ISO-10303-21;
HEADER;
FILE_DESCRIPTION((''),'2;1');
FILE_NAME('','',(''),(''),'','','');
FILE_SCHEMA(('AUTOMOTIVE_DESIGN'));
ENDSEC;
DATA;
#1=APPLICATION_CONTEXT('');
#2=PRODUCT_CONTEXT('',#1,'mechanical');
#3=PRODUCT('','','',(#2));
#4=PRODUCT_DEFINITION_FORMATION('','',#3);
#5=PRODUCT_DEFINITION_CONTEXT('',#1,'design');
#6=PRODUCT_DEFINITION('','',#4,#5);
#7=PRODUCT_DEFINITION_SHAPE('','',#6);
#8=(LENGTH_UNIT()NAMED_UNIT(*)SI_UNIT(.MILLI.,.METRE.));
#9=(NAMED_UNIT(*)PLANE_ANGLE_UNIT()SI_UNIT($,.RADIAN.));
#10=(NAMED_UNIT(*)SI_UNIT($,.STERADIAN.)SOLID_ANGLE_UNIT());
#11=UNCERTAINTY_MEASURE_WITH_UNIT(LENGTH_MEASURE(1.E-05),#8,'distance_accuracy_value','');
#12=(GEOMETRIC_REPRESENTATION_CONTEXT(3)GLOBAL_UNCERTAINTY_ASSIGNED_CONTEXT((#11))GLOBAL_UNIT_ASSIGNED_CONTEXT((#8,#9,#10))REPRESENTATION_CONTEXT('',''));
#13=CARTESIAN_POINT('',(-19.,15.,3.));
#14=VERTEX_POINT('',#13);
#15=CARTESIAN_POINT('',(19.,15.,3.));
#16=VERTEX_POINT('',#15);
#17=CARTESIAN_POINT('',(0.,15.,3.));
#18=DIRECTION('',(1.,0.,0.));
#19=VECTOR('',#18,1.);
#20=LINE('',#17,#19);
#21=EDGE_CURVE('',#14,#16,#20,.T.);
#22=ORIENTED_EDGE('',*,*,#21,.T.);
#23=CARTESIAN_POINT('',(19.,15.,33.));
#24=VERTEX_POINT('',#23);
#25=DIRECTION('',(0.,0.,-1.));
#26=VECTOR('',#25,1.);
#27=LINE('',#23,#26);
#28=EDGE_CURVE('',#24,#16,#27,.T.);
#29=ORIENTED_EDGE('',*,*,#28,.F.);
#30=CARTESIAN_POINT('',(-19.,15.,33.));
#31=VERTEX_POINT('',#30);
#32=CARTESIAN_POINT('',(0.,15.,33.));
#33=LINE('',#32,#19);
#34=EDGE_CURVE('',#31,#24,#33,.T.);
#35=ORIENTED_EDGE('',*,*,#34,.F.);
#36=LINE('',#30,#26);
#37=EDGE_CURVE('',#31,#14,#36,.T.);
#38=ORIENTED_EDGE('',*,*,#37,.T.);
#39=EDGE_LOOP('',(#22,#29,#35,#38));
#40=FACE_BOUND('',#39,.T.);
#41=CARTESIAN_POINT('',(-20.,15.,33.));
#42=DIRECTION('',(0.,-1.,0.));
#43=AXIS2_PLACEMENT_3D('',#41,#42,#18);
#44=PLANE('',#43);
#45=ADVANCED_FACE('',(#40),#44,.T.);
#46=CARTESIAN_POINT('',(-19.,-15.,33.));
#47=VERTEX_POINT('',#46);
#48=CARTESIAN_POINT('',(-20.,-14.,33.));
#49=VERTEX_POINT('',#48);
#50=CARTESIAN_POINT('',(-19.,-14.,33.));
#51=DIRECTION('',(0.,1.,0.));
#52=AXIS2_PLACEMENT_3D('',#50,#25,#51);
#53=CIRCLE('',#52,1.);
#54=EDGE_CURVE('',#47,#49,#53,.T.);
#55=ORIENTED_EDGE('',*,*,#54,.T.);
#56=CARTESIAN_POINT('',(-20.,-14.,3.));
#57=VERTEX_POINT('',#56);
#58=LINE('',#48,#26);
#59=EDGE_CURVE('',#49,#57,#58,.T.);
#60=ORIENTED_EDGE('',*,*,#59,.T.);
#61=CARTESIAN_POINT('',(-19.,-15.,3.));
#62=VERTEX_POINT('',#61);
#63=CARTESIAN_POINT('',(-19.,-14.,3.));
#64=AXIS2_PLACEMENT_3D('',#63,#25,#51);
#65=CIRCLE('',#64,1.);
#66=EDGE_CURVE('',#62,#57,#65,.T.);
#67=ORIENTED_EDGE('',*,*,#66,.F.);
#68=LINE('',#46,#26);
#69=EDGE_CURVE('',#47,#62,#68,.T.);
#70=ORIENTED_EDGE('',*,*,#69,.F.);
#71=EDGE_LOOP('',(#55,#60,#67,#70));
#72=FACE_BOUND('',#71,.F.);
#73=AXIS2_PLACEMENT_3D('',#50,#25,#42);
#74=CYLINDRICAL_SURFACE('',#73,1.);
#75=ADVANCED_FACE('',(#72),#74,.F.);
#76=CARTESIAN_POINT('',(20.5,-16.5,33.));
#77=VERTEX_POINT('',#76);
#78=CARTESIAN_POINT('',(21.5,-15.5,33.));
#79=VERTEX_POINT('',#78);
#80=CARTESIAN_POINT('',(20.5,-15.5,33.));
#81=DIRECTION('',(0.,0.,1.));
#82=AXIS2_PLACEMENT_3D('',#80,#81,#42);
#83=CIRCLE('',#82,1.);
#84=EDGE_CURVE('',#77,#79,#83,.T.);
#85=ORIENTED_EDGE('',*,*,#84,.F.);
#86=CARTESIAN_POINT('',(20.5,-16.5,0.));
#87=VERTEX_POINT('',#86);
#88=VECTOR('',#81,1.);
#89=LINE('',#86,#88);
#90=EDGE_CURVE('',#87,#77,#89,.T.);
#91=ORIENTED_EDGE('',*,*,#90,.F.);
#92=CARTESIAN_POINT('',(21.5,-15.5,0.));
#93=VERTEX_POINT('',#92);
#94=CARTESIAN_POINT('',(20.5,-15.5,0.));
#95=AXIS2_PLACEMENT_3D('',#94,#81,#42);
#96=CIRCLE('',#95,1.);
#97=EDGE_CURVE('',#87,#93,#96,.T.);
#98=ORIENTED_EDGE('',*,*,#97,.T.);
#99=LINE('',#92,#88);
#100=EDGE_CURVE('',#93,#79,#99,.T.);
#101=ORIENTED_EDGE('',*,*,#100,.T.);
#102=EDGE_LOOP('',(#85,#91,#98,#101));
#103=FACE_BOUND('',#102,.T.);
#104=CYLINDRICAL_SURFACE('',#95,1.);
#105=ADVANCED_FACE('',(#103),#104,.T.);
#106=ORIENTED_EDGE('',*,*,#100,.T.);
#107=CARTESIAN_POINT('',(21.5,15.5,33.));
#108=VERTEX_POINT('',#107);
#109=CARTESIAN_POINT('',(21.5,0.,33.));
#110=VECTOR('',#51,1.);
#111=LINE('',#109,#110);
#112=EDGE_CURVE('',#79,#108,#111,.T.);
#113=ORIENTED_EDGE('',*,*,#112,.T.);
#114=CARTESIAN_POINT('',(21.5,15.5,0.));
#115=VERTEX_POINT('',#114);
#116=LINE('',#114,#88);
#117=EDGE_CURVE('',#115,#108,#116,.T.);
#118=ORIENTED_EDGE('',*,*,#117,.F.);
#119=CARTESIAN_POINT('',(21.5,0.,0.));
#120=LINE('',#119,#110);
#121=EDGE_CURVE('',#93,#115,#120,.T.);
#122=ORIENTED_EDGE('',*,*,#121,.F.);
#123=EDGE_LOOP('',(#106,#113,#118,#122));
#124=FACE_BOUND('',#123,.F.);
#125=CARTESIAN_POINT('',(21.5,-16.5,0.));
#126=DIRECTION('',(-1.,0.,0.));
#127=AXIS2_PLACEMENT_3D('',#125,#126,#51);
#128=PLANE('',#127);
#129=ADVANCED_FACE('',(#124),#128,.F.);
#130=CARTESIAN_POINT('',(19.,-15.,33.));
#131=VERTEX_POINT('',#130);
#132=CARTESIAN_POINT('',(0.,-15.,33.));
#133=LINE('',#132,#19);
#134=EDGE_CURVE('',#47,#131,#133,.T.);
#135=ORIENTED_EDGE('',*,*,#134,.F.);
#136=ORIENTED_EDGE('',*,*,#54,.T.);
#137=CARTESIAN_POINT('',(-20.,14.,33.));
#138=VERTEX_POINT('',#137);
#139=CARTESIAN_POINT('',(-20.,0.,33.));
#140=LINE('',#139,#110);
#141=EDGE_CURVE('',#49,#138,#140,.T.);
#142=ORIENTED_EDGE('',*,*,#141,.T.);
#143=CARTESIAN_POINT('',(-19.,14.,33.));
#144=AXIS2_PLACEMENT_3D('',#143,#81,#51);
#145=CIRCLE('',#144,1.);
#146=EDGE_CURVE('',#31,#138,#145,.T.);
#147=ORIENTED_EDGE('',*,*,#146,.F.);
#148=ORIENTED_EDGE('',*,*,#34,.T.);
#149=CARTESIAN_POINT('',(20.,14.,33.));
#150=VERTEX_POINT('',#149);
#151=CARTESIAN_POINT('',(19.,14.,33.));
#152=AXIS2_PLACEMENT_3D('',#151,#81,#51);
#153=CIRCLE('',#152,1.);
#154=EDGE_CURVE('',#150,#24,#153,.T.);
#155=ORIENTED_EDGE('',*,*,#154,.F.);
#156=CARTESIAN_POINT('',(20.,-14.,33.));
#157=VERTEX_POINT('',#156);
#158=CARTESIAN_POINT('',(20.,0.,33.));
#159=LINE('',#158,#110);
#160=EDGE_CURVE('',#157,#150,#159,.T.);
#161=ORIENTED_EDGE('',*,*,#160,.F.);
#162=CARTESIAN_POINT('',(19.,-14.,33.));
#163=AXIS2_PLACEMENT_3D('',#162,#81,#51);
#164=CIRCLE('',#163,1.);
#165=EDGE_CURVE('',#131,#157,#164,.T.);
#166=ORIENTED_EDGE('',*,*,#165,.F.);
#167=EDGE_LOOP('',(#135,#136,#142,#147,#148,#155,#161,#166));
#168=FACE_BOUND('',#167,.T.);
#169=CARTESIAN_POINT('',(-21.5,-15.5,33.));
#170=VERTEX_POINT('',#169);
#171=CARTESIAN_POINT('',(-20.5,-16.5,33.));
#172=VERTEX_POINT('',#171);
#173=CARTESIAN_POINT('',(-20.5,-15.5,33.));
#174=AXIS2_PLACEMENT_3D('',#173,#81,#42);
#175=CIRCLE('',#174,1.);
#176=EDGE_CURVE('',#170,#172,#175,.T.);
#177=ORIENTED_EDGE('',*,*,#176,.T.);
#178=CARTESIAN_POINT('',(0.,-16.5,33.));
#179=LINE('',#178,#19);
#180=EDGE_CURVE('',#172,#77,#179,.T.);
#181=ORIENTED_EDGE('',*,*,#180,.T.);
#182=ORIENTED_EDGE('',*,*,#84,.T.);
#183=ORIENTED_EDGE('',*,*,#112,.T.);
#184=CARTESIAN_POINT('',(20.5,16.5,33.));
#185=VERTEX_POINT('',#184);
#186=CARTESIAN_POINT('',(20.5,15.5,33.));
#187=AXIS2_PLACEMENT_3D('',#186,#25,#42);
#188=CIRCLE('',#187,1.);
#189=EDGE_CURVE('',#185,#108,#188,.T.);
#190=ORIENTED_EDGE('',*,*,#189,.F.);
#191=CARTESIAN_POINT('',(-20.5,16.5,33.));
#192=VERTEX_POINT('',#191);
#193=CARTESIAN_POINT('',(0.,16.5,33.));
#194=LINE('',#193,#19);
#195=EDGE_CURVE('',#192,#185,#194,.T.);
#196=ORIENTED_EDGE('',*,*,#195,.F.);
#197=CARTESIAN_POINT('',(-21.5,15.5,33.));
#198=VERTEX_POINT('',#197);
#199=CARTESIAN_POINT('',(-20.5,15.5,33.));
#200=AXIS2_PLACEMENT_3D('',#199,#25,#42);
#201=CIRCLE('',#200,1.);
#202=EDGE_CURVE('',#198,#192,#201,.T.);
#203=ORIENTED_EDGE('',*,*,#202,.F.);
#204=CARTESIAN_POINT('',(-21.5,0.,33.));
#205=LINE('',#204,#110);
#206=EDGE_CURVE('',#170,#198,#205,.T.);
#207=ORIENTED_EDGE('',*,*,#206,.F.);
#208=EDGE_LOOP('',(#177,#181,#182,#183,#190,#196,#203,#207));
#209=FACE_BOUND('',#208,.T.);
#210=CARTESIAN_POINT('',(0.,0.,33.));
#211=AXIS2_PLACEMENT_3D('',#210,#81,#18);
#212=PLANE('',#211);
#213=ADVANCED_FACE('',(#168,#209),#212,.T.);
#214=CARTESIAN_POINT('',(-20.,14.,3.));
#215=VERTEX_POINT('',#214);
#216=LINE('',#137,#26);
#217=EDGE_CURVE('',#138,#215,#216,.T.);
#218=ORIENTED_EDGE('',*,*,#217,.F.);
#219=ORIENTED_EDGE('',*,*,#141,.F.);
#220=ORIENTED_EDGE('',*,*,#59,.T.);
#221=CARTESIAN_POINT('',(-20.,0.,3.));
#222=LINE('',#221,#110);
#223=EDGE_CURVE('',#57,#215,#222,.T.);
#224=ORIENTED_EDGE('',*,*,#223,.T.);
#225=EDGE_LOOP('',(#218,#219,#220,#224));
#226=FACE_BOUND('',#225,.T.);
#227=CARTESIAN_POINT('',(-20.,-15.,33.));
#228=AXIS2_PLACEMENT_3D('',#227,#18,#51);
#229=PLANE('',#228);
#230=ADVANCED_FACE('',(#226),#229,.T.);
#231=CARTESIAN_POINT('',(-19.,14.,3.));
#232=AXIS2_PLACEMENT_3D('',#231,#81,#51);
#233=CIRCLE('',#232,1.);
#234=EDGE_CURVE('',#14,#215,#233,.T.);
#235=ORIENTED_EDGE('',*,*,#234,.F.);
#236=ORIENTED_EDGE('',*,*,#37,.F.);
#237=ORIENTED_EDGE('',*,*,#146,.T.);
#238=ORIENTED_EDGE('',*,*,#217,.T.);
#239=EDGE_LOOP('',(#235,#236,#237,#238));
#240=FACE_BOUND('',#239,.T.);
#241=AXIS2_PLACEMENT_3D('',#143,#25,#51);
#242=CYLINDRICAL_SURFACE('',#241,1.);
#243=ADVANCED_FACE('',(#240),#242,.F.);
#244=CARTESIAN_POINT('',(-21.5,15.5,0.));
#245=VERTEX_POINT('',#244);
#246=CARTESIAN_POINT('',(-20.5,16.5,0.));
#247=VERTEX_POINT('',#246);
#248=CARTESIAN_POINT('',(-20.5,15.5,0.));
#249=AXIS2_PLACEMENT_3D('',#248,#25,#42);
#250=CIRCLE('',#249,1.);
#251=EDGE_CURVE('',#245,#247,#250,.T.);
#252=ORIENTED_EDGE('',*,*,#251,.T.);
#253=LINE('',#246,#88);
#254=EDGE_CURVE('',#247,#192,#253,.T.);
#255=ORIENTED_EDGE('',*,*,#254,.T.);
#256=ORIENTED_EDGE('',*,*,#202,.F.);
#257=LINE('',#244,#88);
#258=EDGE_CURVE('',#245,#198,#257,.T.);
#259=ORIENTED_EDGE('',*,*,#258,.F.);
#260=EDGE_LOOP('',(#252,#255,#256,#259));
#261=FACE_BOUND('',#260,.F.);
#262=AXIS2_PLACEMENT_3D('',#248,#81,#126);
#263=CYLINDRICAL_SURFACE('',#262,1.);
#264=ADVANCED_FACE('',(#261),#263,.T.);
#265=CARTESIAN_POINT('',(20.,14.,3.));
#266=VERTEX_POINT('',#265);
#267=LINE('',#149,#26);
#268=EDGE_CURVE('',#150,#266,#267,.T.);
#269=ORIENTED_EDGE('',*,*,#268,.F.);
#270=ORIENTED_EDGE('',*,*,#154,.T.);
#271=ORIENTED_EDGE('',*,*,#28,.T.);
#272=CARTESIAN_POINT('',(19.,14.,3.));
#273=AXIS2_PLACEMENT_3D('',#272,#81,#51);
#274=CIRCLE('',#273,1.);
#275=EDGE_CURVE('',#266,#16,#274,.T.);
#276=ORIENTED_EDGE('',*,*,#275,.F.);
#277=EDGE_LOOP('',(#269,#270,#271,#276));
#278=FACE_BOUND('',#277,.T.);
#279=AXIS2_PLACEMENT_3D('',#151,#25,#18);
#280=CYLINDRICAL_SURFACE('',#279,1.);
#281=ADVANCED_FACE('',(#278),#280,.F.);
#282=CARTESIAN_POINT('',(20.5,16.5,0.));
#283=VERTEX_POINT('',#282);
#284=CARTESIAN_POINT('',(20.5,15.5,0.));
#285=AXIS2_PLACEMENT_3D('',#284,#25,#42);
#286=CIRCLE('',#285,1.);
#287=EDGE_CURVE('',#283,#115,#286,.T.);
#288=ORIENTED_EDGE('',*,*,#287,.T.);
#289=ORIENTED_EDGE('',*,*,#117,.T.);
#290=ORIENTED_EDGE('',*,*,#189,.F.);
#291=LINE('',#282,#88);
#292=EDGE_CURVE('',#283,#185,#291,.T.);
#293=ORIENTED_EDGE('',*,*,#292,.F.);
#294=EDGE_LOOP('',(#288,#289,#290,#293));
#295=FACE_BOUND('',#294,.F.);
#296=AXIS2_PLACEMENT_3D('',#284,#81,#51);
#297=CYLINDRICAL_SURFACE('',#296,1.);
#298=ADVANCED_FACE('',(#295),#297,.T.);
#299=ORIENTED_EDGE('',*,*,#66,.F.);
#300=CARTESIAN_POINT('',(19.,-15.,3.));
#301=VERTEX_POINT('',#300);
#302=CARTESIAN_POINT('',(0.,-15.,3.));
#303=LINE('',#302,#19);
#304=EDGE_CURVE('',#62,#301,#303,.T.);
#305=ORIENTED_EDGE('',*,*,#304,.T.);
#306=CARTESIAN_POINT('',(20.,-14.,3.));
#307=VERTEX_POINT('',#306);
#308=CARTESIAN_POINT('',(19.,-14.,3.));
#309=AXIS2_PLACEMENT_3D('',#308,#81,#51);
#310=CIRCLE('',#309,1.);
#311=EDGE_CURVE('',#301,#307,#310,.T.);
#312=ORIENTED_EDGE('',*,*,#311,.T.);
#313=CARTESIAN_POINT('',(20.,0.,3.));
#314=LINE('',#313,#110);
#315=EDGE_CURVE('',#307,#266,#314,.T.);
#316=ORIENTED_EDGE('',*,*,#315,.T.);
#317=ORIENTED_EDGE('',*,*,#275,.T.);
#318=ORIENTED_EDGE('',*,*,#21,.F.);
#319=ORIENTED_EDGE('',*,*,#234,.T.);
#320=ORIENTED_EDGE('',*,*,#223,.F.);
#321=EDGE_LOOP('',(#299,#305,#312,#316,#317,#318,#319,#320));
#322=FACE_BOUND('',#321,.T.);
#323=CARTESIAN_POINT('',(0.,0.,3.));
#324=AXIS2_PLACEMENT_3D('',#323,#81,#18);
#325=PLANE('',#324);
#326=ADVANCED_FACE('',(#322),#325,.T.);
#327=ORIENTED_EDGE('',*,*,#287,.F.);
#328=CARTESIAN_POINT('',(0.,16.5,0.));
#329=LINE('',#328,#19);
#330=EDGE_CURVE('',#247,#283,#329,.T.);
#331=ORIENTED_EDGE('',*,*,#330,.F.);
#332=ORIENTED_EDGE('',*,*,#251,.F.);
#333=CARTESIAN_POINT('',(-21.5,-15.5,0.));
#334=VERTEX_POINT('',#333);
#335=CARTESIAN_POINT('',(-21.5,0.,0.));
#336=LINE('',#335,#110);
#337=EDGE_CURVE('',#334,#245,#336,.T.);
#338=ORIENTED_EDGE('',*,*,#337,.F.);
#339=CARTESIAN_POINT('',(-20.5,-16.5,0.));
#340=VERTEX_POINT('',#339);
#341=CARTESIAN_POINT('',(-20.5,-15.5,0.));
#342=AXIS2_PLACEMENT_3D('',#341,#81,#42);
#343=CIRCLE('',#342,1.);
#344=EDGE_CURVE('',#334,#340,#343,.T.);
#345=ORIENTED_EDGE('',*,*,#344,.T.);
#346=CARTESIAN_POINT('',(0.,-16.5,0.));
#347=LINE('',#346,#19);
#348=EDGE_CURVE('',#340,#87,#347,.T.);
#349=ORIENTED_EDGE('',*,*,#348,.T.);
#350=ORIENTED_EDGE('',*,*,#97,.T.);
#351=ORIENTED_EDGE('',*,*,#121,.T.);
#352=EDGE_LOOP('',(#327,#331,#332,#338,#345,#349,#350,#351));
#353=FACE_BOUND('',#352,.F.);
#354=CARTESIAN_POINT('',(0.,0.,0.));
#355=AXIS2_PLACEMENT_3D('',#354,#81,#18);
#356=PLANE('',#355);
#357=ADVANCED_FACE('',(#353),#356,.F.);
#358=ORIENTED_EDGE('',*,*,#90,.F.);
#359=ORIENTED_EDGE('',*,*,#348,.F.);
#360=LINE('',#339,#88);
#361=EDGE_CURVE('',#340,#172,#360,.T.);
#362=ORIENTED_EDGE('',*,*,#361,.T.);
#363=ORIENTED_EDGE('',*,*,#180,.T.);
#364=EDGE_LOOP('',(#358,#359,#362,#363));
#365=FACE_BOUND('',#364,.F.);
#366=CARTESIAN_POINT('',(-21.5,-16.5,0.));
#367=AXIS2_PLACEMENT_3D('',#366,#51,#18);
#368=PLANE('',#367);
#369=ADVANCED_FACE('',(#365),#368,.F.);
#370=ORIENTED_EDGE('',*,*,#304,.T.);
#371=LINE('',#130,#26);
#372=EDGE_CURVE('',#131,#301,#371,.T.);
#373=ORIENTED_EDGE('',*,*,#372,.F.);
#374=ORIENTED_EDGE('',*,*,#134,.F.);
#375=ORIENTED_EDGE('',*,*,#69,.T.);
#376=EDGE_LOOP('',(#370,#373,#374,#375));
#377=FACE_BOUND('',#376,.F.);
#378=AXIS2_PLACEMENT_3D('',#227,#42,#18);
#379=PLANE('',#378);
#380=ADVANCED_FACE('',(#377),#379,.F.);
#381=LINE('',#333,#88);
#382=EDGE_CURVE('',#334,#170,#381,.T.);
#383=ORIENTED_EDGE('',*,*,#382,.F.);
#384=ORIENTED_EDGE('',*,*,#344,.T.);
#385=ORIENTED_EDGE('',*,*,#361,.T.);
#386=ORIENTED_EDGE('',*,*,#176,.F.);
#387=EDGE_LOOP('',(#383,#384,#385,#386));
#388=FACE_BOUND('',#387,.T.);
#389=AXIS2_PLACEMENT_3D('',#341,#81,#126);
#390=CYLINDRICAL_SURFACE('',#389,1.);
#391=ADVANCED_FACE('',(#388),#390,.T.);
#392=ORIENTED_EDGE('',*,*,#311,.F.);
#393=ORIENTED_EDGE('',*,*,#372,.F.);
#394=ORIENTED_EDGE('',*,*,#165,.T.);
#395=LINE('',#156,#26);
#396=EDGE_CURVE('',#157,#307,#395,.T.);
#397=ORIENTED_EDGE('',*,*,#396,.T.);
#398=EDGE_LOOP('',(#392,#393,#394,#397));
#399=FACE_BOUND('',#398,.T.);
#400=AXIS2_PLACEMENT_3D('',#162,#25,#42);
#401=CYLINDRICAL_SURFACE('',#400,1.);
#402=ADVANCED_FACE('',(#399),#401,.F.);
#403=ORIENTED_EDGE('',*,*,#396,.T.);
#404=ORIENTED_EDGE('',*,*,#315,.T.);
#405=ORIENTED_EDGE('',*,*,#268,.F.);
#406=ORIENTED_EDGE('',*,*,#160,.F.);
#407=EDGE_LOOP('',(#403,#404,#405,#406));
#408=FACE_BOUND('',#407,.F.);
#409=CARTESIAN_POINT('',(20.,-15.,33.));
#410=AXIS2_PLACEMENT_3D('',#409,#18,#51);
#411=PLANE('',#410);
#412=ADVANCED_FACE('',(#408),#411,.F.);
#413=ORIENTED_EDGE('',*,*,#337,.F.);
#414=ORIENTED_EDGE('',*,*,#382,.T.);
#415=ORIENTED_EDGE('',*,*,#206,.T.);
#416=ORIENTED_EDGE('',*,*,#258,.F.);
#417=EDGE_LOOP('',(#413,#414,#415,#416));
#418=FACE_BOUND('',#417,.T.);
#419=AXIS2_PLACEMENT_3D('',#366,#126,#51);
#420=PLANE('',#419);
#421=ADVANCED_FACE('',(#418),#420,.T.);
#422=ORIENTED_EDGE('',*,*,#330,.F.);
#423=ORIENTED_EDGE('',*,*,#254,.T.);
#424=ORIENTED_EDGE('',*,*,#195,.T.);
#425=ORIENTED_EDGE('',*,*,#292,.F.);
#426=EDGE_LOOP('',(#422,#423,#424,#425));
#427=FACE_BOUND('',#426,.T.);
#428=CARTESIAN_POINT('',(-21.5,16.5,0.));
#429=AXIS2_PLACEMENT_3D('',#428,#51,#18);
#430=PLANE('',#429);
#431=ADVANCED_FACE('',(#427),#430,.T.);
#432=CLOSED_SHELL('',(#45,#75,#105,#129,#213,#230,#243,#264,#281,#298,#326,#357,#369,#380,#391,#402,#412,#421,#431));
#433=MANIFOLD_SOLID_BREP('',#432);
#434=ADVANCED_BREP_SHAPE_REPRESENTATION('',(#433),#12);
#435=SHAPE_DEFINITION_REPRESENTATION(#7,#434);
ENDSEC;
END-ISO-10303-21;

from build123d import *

# Parameters (mm, degrees)
F0_W     = 43
F0_H     = 33
F1_DEPTH = 33
F2_W     = 40
F2_H     = 30
F3_DEPTH = 30
F4_R     = 1
F5_R     = 1


with BuildPart() as f1:
    # F0 (on Top) → F1 (new body)
    with BuildSketch(Plane.XY):
        Rectangle(F0_W, F0_H)
    extrude(amount=F1_DEPTH)

    # F2 (on face) → F3 (cut)
    with BuildSketch(Plane.XY.offset(33)):
        Rectangle(F2_W, F2_H)
    extrude(amount=-F3_DEPTH, mode=Mode.SUBTRACT)

    # F4
    f4_edges = [f1.edges().sort_by_distance(p)[0] for p in [
        (-21.5, -16.5, 16.5),
        (21.5, -16.5, 16.5),
        (21.5, 16.5, 16.5),
        (-21.5, 16.5, 16.5),
    ]]
    fillet(f4_edges, radius=F4_R)

    # F5
    f5_edges = [f1.edges().sort_by_distance(p)[0] for p in [
        (-20, -15, 18),
        (-20, 15, 18),
        (20, 15, 18),
        (20, -15, 18),
    ]]
    fillet(f5_edges, radius=F5_R)


solid = f1.part
